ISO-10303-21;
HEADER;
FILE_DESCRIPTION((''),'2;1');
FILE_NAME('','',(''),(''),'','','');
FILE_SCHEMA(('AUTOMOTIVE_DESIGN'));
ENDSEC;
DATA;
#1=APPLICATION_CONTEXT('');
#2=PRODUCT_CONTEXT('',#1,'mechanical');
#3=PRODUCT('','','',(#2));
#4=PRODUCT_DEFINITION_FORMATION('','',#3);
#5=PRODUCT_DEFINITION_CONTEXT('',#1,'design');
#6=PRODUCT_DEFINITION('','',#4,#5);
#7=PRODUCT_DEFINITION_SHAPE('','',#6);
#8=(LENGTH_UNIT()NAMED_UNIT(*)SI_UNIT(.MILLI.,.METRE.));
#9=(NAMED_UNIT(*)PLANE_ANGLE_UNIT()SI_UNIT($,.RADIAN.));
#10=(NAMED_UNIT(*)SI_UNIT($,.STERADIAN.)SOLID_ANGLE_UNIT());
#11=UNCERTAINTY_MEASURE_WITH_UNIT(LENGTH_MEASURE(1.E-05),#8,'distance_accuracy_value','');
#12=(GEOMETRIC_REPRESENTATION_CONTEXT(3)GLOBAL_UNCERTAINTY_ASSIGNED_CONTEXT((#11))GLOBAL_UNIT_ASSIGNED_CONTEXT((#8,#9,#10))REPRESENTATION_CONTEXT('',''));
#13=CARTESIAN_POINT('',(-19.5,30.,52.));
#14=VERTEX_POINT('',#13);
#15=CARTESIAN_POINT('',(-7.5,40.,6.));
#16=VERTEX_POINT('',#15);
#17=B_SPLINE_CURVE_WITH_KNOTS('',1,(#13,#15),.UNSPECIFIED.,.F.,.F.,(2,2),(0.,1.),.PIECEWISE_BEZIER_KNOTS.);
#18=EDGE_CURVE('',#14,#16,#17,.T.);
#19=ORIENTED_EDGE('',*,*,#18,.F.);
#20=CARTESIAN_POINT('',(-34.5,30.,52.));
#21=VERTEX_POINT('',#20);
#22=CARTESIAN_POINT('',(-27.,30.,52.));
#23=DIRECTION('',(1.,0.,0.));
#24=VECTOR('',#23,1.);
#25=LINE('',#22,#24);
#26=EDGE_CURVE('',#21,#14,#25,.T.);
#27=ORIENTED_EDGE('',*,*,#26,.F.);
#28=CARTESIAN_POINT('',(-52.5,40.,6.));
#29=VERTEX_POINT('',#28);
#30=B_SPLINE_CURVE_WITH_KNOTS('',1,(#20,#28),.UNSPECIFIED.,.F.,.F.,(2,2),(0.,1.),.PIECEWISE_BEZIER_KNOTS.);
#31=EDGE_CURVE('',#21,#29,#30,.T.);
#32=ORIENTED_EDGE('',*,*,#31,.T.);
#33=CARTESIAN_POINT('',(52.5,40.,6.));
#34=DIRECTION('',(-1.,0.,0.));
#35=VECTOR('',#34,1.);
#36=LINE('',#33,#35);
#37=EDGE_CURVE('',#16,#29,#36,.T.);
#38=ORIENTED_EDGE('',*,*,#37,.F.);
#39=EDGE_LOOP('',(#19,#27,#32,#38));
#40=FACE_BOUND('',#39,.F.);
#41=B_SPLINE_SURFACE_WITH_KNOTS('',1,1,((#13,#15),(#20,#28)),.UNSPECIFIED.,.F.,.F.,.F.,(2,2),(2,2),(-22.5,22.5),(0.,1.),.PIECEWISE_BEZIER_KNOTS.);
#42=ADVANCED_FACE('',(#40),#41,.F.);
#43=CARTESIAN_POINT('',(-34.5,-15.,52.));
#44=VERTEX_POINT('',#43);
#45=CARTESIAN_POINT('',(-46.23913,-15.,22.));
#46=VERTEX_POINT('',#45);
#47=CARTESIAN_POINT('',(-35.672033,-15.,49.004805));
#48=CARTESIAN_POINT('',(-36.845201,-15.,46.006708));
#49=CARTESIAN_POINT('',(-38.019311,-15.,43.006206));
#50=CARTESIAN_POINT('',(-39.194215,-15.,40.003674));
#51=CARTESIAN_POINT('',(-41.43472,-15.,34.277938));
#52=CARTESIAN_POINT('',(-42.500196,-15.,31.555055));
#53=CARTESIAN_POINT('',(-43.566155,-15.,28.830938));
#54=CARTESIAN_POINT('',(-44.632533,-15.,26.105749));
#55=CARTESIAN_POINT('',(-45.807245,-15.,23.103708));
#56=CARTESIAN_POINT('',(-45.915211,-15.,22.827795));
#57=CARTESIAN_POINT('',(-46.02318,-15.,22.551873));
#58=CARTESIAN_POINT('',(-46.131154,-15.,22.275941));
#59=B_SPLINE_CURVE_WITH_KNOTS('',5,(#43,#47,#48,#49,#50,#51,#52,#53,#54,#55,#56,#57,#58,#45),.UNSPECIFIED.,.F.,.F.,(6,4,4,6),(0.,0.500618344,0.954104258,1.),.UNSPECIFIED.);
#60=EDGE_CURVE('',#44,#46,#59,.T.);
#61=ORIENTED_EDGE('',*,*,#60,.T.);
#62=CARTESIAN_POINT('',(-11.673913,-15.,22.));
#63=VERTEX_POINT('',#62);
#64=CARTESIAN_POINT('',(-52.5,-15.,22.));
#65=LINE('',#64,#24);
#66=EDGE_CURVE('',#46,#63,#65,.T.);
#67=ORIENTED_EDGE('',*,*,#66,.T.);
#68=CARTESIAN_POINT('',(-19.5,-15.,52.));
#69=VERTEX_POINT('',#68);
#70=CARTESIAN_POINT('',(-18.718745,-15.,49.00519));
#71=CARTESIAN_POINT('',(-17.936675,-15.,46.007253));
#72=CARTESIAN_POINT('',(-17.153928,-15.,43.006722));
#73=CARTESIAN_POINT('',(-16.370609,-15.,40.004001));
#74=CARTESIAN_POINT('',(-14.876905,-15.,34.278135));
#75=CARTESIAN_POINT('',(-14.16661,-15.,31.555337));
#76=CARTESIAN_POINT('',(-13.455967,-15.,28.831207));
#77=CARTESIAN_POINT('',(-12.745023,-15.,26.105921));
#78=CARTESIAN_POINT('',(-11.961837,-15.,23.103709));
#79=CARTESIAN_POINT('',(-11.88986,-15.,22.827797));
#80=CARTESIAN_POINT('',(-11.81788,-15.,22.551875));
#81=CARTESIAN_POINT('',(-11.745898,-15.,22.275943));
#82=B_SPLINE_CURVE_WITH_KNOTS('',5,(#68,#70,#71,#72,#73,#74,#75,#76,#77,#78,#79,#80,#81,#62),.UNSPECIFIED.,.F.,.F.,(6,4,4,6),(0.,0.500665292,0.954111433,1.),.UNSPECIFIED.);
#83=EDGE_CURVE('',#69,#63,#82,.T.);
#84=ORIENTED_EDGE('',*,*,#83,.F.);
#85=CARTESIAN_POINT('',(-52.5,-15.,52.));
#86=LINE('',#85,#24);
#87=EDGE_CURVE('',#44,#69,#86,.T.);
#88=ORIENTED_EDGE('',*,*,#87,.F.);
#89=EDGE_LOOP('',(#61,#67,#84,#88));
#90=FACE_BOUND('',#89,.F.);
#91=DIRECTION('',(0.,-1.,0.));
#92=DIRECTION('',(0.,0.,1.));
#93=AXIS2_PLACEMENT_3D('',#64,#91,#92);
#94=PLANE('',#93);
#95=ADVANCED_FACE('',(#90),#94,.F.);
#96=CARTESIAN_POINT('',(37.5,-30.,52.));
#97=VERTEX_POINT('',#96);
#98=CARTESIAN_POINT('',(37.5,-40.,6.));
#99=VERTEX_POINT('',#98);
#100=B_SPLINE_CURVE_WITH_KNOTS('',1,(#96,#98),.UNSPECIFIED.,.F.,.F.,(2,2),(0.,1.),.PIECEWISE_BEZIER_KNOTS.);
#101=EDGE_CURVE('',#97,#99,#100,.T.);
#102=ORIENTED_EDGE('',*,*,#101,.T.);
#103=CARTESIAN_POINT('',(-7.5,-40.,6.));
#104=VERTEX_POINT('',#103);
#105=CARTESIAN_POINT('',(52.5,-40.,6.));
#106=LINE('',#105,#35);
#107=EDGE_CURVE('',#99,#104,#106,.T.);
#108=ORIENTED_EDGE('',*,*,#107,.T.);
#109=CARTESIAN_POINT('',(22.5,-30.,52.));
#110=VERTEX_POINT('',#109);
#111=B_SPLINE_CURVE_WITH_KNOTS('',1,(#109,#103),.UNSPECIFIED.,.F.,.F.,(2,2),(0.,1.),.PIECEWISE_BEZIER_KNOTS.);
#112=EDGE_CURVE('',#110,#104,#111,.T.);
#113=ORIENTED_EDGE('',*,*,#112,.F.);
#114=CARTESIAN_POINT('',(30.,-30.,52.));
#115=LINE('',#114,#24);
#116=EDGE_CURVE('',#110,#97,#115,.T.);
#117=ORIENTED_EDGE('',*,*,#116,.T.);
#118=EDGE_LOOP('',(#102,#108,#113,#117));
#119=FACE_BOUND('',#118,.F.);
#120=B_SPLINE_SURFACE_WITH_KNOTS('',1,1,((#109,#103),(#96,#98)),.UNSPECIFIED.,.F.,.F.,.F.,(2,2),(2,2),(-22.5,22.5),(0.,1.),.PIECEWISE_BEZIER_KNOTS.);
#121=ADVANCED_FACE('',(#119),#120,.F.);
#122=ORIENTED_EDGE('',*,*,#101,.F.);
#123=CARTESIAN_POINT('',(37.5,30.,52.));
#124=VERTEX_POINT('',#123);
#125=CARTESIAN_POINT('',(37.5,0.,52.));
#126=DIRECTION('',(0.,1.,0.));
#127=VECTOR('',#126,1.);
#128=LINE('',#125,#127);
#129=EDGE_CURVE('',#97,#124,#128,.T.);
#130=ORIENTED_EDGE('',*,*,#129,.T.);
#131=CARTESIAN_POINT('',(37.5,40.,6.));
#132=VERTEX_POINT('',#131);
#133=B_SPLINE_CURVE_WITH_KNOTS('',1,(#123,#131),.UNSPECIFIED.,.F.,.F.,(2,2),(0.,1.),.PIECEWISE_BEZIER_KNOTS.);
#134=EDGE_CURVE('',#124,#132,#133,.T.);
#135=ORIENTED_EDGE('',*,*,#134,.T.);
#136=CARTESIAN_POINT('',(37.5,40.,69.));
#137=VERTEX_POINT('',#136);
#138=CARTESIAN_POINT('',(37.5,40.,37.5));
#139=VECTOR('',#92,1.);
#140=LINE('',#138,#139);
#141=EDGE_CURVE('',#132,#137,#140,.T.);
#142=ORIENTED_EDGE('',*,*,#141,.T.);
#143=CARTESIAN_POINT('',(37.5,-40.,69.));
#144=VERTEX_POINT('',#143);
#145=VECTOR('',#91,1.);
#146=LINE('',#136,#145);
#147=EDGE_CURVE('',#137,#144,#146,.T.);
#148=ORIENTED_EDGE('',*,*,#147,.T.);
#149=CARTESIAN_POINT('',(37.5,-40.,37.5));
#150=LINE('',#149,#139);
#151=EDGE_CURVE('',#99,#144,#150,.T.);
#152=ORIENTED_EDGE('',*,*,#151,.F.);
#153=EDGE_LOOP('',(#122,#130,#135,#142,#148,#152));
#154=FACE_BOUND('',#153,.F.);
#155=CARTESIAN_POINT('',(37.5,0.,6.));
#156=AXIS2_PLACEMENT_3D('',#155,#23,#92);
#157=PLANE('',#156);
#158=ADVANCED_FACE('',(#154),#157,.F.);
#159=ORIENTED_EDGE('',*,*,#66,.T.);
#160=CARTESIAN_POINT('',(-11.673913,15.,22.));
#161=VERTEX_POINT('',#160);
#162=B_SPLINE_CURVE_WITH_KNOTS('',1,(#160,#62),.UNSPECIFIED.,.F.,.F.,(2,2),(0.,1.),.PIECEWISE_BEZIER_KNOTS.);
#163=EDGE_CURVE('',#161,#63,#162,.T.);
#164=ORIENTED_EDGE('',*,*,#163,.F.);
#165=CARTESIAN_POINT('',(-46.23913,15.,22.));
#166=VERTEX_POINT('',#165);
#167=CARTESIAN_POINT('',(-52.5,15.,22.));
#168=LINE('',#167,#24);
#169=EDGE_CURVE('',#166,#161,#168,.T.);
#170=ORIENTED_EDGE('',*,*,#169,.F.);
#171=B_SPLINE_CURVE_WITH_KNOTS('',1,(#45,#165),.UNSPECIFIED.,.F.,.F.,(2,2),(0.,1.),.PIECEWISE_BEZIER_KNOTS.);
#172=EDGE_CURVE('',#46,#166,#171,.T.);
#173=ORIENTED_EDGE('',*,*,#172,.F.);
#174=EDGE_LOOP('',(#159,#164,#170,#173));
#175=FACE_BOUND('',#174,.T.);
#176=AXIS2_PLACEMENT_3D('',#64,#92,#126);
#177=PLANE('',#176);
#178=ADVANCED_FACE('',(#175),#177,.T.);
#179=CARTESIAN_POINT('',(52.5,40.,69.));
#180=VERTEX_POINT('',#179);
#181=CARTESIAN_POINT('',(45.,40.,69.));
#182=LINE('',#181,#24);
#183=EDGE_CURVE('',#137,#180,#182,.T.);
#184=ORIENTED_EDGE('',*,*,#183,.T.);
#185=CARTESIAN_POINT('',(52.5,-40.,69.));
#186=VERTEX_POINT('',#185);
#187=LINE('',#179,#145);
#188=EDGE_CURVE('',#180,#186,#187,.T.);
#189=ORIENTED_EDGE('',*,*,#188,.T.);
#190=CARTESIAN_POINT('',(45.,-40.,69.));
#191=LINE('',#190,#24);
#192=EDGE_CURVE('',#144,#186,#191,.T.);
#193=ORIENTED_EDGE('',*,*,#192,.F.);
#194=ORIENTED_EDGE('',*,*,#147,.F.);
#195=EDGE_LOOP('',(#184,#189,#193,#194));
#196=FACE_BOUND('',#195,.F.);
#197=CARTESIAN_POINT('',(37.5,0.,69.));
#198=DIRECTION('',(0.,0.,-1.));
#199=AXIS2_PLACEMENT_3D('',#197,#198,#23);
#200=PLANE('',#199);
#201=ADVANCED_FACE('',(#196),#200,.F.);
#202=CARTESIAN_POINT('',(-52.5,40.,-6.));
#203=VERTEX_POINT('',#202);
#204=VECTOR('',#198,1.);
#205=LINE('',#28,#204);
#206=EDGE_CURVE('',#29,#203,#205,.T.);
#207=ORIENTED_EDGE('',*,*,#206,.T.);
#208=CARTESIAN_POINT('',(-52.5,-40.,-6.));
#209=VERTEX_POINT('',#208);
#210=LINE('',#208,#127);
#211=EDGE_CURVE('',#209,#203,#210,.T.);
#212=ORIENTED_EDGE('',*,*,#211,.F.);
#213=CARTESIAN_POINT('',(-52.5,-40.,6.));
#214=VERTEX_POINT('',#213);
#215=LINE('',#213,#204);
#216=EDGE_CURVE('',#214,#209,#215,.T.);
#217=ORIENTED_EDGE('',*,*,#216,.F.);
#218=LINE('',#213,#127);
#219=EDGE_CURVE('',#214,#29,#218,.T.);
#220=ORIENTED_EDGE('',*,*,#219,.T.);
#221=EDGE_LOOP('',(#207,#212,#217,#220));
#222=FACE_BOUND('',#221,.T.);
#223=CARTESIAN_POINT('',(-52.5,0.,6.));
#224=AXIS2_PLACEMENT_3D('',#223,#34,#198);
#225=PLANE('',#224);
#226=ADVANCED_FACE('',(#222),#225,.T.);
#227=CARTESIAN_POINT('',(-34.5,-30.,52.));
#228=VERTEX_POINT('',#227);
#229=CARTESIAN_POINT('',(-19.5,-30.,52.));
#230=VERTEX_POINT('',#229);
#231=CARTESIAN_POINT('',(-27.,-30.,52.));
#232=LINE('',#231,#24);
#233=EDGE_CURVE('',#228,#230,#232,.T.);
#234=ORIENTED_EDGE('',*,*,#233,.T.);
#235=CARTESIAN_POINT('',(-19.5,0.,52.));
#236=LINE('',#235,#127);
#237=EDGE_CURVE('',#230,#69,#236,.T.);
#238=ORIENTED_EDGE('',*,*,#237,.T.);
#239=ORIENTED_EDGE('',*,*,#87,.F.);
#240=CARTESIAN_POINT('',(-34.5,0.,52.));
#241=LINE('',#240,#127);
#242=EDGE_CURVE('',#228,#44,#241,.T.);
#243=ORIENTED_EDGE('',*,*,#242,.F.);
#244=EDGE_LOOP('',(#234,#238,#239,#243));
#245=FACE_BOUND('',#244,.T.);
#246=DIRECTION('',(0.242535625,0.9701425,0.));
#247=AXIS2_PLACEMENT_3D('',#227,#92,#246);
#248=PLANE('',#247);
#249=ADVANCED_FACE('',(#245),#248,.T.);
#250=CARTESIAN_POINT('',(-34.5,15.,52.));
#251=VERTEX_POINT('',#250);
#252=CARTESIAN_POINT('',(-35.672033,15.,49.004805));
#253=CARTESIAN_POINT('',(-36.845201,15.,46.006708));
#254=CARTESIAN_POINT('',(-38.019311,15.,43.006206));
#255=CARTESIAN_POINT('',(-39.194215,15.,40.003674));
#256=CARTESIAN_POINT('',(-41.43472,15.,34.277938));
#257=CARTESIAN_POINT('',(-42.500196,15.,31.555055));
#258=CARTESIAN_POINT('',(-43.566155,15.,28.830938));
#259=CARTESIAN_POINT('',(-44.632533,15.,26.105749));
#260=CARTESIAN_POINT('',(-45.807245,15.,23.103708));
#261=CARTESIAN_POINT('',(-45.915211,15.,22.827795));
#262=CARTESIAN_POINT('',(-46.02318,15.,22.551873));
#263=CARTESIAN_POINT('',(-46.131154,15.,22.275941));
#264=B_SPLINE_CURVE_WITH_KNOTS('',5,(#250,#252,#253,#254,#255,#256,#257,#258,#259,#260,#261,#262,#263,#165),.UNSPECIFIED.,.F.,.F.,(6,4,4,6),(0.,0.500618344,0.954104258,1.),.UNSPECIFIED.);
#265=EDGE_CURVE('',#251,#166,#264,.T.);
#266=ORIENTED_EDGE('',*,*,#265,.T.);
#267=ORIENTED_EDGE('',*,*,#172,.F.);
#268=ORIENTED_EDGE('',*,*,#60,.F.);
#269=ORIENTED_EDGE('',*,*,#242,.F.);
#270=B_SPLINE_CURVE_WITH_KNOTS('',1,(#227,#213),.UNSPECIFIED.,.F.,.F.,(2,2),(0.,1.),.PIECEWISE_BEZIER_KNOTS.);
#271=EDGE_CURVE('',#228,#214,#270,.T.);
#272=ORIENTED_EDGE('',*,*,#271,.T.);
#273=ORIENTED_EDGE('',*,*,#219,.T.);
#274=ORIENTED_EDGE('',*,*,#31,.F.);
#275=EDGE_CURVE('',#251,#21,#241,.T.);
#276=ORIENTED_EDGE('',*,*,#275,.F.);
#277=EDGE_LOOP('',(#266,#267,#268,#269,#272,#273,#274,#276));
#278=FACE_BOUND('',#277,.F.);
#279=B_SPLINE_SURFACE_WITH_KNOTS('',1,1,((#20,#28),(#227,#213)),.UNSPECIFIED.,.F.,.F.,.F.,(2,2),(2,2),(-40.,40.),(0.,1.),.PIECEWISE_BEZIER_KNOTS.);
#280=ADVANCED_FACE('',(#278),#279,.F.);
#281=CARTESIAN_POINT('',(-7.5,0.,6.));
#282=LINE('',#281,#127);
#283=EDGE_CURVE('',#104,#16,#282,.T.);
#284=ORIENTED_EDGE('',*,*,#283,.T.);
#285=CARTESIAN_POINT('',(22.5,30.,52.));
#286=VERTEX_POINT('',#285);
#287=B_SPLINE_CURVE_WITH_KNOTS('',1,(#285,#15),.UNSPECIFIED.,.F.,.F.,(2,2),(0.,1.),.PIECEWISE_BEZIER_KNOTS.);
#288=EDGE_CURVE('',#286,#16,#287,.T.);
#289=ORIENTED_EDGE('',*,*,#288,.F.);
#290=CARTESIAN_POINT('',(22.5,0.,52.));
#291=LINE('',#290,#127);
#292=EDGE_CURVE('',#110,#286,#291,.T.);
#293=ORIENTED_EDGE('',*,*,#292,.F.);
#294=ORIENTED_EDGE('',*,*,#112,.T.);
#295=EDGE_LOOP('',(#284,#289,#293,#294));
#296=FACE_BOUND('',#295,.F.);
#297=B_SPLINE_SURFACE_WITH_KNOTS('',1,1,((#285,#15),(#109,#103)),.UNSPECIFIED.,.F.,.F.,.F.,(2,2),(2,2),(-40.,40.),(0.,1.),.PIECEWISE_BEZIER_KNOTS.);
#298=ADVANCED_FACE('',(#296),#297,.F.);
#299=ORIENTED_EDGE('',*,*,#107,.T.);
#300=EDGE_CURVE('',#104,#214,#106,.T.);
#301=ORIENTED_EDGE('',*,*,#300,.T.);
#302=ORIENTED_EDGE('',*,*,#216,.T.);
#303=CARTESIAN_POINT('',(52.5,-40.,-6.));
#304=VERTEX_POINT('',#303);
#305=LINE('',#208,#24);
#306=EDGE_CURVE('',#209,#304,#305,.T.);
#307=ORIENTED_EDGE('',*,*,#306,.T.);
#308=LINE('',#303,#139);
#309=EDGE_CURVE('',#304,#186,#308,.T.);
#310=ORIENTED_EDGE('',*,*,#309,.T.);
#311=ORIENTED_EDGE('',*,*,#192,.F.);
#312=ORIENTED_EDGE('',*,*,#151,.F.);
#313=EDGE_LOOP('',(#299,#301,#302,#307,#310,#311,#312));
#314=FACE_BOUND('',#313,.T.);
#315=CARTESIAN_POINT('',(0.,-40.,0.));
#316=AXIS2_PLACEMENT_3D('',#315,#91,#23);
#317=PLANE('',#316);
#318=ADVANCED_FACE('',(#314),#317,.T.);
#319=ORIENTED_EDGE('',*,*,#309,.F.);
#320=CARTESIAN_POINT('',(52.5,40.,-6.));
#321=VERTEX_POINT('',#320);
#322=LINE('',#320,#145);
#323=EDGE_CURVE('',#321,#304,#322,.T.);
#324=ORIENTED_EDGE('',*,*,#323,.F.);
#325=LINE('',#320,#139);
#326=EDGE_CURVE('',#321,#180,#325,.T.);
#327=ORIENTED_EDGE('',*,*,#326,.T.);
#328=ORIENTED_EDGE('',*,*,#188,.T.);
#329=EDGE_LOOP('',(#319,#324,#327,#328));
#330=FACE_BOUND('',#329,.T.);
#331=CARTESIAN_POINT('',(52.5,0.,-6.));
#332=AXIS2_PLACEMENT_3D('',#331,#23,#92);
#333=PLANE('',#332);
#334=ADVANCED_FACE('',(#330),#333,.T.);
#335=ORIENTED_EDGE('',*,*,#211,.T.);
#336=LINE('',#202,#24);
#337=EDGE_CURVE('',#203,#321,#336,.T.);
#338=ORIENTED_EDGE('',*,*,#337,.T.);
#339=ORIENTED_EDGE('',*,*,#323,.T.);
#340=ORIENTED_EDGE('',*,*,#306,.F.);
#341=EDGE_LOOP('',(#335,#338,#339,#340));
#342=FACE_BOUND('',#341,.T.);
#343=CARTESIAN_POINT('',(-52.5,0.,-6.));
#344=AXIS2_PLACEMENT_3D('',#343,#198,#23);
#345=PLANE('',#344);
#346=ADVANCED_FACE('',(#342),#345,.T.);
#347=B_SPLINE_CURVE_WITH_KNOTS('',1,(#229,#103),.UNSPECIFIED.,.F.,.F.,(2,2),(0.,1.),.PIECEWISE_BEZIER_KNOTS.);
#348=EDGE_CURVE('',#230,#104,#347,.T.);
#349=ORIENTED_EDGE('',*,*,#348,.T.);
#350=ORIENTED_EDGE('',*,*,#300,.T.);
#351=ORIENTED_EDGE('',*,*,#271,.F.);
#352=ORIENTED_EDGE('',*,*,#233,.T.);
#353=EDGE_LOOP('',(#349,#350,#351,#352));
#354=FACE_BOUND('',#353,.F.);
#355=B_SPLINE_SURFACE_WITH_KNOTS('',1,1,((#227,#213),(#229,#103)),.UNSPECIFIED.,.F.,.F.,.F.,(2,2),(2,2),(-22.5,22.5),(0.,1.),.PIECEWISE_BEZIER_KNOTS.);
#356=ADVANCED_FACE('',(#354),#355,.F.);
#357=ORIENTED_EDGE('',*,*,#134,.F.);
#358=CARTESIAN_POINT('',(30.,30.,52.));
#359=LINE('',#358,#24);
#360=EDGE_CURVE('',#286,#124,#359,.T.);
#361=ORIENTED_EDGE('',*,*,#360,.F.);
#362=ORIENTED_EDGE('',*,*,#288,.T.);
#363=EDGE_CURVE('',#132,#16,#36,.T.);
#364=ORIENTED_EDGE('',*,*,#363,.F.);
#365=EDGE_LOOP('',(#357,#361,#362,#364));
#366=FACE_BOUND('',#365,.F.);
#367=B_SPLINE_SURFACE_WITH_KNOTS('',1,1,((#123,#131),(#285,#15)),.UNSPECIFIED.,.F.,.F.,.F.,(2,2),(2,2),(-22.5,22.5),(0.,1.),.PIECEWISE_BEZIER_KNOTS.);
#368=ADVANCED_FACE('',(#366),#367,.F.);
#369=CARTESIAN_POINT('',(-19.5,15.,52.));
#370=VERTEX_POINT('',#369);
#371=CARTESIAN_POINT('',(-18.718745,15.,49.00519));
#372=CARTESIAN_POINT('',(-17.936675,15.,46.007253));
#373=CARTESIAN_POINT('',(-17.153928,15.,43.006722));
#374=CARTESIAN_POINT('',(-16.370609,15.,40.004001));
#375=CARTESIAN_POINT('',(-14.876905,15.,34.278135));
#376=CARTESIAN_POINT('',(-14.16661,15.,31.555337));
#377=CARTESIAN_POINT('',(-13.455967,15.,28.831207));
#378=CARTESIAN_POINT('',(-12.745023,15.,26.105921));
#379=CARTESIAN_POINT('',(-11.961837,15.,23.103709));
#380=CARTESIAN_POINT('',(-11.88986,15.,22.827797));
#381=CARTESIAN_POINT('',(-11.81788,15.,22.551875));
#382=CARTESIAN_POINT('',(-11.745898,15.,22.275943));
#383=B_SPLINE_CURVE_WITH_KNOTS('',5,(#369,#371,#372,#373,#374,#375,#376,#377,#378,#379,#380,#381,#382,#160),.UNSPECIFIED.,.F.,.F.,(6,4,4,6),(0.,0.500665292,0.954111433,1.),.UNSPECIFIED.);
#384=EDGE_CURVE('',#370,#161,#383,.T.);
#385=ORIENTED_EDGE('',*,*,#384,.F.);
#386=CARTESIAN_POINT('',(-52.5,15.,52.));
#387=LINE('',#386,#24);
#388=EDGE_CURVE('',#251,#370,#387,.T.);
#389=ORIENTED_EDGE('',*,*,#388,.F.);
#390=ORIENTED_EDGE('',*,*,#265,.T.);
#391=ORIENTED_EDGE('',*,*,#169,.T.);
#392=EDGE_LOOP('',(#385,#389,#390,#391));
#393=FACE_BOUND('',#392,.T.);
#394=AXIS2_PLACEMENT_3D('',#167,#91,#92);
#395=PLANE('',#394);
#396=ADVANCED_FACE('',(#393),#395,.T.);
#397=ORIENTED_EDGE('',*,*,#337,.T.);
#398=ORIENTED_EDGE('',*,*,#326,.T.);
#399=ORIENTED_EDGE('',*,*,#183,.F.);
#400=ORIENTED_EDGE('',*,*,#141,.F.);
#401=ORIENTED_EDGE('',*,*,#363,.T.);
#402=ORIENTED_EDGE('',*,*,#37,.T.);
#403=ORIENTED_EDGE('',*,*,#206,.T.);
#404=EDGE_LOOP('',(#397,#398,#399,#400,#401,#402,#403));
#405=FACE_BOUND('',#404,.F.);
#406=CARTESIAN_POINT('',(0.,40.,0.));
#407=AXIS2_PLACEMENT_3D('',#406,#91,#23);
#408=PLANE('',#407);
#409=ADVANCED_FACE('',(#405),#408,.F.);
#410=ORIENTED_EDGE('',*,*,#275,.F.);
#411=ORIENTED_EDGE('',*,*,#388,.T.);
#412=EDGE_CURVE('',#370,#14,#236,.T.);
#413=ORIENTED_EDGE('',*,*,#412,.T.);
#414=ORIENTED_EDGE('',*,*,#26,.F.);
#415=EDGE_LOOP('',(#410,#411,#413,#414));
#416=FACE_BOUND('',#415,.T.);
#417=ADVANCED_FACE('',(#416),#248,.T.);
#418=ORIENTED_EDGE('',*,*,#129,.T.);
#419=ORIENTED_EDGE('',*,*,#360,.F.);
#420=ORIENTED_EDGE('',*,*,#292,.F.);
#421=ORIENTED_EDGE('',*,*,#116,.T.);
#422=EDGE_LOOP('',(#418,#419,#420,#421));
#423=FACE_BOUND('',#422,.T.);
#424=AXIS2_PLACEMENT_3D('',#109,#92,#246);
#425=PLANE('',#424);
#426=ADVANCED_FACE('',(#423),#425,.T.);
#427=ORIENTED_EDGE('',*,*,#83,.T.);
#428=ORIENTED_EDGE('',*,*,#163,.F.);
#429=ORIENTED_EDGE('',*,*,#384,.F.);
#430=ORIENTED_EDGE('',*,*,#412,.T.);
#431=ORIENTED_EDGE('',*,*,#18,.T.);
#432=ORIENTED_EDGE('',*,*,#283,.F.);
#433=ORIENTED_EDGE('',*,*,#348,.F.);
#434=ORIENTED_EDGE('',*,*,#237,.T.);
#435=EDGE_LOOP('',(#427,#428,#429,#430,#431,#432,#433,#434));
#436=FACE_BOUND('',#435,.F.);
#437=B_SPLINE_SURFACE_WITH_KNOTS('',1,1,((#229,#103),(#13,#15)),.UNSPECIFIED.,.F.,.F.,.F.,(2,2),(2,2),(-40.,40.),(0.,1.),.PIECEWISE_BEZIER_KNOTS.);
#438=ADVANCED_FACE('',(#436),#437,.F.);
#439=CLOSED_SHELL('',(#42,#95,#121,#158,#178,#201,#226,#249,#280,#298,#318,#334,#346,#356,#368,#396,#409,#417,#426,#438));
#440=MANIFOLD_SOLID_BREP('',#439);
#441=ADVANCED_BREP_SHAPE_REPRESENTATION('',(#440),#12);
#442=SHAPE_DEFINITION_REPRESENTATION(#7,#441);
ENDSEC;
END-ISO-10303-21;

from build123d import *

# Parameters (mm, degrees)
F0_W      = 15
F0_H      = 63
F1_DEPTH  = 40
F4_W      = 15
F4_H      = 60
F2_W      = 45
F2_H      = 80
F1_FACE_W = 45
F1_FACE_H = 80
F8_W      = 30
F8_H      = 30
F9_DEPTH  = 50


with BuildPart() as f1:
    # F0 (on Front) → F1 (new body, symmetric)
    with BuildSketch(Plane.XZ):
        Polygon((-52.5, -6), (52.5, -6), (52.5, 6), (37.5, 6), (-52.5, 6), align=None)
        with Locations((45, 37.5)):
            Rectangle(F0_W, F0_H)
    extrude(amount=F1_DEPTH, both=True)

    # F4 (on offset) → F5 section 0
    with BuildSketch(Plane.XY.offset(52)):
        with Locations((-27, 0)):
            Rectangle(F4_W, F4_H)
    # F2 (on face) → F5 section 1
    with BuildSketch(Plane.XY.offset(6)):
        with Locations((-30, 0)):
            Rectangle(F2_W, F2_H)
    loft()

    # F4 (on offset) → F6 section 0
    with BuildSketch(Plane.XY.offset(52)):
        with Locations((30, 0)):
            Rectangle(F4_W, F4_H)
    # F1_face (on face) → F6 section 1
    with BuildSketch(Plane(origin=(-7.5, 0, 6), x_dir=(1, 0, 0), z_dir=(0, 0, 1))):
        with Locations((22.5, 0)):
            Rectangle(F1_FACE_W, F1_FACE_H)
    loft()

    # F8 (on offset) → F9 (cut)
    with BuildSketch(Plane.YZ.offset(-52.5)):
        with Locations((0, 37)):
            Rectangle(F8_W, F8_H)
    extrude(amount=F9_DEPTH, mode=Mode.SUBTRACT)


solid = f1.part
